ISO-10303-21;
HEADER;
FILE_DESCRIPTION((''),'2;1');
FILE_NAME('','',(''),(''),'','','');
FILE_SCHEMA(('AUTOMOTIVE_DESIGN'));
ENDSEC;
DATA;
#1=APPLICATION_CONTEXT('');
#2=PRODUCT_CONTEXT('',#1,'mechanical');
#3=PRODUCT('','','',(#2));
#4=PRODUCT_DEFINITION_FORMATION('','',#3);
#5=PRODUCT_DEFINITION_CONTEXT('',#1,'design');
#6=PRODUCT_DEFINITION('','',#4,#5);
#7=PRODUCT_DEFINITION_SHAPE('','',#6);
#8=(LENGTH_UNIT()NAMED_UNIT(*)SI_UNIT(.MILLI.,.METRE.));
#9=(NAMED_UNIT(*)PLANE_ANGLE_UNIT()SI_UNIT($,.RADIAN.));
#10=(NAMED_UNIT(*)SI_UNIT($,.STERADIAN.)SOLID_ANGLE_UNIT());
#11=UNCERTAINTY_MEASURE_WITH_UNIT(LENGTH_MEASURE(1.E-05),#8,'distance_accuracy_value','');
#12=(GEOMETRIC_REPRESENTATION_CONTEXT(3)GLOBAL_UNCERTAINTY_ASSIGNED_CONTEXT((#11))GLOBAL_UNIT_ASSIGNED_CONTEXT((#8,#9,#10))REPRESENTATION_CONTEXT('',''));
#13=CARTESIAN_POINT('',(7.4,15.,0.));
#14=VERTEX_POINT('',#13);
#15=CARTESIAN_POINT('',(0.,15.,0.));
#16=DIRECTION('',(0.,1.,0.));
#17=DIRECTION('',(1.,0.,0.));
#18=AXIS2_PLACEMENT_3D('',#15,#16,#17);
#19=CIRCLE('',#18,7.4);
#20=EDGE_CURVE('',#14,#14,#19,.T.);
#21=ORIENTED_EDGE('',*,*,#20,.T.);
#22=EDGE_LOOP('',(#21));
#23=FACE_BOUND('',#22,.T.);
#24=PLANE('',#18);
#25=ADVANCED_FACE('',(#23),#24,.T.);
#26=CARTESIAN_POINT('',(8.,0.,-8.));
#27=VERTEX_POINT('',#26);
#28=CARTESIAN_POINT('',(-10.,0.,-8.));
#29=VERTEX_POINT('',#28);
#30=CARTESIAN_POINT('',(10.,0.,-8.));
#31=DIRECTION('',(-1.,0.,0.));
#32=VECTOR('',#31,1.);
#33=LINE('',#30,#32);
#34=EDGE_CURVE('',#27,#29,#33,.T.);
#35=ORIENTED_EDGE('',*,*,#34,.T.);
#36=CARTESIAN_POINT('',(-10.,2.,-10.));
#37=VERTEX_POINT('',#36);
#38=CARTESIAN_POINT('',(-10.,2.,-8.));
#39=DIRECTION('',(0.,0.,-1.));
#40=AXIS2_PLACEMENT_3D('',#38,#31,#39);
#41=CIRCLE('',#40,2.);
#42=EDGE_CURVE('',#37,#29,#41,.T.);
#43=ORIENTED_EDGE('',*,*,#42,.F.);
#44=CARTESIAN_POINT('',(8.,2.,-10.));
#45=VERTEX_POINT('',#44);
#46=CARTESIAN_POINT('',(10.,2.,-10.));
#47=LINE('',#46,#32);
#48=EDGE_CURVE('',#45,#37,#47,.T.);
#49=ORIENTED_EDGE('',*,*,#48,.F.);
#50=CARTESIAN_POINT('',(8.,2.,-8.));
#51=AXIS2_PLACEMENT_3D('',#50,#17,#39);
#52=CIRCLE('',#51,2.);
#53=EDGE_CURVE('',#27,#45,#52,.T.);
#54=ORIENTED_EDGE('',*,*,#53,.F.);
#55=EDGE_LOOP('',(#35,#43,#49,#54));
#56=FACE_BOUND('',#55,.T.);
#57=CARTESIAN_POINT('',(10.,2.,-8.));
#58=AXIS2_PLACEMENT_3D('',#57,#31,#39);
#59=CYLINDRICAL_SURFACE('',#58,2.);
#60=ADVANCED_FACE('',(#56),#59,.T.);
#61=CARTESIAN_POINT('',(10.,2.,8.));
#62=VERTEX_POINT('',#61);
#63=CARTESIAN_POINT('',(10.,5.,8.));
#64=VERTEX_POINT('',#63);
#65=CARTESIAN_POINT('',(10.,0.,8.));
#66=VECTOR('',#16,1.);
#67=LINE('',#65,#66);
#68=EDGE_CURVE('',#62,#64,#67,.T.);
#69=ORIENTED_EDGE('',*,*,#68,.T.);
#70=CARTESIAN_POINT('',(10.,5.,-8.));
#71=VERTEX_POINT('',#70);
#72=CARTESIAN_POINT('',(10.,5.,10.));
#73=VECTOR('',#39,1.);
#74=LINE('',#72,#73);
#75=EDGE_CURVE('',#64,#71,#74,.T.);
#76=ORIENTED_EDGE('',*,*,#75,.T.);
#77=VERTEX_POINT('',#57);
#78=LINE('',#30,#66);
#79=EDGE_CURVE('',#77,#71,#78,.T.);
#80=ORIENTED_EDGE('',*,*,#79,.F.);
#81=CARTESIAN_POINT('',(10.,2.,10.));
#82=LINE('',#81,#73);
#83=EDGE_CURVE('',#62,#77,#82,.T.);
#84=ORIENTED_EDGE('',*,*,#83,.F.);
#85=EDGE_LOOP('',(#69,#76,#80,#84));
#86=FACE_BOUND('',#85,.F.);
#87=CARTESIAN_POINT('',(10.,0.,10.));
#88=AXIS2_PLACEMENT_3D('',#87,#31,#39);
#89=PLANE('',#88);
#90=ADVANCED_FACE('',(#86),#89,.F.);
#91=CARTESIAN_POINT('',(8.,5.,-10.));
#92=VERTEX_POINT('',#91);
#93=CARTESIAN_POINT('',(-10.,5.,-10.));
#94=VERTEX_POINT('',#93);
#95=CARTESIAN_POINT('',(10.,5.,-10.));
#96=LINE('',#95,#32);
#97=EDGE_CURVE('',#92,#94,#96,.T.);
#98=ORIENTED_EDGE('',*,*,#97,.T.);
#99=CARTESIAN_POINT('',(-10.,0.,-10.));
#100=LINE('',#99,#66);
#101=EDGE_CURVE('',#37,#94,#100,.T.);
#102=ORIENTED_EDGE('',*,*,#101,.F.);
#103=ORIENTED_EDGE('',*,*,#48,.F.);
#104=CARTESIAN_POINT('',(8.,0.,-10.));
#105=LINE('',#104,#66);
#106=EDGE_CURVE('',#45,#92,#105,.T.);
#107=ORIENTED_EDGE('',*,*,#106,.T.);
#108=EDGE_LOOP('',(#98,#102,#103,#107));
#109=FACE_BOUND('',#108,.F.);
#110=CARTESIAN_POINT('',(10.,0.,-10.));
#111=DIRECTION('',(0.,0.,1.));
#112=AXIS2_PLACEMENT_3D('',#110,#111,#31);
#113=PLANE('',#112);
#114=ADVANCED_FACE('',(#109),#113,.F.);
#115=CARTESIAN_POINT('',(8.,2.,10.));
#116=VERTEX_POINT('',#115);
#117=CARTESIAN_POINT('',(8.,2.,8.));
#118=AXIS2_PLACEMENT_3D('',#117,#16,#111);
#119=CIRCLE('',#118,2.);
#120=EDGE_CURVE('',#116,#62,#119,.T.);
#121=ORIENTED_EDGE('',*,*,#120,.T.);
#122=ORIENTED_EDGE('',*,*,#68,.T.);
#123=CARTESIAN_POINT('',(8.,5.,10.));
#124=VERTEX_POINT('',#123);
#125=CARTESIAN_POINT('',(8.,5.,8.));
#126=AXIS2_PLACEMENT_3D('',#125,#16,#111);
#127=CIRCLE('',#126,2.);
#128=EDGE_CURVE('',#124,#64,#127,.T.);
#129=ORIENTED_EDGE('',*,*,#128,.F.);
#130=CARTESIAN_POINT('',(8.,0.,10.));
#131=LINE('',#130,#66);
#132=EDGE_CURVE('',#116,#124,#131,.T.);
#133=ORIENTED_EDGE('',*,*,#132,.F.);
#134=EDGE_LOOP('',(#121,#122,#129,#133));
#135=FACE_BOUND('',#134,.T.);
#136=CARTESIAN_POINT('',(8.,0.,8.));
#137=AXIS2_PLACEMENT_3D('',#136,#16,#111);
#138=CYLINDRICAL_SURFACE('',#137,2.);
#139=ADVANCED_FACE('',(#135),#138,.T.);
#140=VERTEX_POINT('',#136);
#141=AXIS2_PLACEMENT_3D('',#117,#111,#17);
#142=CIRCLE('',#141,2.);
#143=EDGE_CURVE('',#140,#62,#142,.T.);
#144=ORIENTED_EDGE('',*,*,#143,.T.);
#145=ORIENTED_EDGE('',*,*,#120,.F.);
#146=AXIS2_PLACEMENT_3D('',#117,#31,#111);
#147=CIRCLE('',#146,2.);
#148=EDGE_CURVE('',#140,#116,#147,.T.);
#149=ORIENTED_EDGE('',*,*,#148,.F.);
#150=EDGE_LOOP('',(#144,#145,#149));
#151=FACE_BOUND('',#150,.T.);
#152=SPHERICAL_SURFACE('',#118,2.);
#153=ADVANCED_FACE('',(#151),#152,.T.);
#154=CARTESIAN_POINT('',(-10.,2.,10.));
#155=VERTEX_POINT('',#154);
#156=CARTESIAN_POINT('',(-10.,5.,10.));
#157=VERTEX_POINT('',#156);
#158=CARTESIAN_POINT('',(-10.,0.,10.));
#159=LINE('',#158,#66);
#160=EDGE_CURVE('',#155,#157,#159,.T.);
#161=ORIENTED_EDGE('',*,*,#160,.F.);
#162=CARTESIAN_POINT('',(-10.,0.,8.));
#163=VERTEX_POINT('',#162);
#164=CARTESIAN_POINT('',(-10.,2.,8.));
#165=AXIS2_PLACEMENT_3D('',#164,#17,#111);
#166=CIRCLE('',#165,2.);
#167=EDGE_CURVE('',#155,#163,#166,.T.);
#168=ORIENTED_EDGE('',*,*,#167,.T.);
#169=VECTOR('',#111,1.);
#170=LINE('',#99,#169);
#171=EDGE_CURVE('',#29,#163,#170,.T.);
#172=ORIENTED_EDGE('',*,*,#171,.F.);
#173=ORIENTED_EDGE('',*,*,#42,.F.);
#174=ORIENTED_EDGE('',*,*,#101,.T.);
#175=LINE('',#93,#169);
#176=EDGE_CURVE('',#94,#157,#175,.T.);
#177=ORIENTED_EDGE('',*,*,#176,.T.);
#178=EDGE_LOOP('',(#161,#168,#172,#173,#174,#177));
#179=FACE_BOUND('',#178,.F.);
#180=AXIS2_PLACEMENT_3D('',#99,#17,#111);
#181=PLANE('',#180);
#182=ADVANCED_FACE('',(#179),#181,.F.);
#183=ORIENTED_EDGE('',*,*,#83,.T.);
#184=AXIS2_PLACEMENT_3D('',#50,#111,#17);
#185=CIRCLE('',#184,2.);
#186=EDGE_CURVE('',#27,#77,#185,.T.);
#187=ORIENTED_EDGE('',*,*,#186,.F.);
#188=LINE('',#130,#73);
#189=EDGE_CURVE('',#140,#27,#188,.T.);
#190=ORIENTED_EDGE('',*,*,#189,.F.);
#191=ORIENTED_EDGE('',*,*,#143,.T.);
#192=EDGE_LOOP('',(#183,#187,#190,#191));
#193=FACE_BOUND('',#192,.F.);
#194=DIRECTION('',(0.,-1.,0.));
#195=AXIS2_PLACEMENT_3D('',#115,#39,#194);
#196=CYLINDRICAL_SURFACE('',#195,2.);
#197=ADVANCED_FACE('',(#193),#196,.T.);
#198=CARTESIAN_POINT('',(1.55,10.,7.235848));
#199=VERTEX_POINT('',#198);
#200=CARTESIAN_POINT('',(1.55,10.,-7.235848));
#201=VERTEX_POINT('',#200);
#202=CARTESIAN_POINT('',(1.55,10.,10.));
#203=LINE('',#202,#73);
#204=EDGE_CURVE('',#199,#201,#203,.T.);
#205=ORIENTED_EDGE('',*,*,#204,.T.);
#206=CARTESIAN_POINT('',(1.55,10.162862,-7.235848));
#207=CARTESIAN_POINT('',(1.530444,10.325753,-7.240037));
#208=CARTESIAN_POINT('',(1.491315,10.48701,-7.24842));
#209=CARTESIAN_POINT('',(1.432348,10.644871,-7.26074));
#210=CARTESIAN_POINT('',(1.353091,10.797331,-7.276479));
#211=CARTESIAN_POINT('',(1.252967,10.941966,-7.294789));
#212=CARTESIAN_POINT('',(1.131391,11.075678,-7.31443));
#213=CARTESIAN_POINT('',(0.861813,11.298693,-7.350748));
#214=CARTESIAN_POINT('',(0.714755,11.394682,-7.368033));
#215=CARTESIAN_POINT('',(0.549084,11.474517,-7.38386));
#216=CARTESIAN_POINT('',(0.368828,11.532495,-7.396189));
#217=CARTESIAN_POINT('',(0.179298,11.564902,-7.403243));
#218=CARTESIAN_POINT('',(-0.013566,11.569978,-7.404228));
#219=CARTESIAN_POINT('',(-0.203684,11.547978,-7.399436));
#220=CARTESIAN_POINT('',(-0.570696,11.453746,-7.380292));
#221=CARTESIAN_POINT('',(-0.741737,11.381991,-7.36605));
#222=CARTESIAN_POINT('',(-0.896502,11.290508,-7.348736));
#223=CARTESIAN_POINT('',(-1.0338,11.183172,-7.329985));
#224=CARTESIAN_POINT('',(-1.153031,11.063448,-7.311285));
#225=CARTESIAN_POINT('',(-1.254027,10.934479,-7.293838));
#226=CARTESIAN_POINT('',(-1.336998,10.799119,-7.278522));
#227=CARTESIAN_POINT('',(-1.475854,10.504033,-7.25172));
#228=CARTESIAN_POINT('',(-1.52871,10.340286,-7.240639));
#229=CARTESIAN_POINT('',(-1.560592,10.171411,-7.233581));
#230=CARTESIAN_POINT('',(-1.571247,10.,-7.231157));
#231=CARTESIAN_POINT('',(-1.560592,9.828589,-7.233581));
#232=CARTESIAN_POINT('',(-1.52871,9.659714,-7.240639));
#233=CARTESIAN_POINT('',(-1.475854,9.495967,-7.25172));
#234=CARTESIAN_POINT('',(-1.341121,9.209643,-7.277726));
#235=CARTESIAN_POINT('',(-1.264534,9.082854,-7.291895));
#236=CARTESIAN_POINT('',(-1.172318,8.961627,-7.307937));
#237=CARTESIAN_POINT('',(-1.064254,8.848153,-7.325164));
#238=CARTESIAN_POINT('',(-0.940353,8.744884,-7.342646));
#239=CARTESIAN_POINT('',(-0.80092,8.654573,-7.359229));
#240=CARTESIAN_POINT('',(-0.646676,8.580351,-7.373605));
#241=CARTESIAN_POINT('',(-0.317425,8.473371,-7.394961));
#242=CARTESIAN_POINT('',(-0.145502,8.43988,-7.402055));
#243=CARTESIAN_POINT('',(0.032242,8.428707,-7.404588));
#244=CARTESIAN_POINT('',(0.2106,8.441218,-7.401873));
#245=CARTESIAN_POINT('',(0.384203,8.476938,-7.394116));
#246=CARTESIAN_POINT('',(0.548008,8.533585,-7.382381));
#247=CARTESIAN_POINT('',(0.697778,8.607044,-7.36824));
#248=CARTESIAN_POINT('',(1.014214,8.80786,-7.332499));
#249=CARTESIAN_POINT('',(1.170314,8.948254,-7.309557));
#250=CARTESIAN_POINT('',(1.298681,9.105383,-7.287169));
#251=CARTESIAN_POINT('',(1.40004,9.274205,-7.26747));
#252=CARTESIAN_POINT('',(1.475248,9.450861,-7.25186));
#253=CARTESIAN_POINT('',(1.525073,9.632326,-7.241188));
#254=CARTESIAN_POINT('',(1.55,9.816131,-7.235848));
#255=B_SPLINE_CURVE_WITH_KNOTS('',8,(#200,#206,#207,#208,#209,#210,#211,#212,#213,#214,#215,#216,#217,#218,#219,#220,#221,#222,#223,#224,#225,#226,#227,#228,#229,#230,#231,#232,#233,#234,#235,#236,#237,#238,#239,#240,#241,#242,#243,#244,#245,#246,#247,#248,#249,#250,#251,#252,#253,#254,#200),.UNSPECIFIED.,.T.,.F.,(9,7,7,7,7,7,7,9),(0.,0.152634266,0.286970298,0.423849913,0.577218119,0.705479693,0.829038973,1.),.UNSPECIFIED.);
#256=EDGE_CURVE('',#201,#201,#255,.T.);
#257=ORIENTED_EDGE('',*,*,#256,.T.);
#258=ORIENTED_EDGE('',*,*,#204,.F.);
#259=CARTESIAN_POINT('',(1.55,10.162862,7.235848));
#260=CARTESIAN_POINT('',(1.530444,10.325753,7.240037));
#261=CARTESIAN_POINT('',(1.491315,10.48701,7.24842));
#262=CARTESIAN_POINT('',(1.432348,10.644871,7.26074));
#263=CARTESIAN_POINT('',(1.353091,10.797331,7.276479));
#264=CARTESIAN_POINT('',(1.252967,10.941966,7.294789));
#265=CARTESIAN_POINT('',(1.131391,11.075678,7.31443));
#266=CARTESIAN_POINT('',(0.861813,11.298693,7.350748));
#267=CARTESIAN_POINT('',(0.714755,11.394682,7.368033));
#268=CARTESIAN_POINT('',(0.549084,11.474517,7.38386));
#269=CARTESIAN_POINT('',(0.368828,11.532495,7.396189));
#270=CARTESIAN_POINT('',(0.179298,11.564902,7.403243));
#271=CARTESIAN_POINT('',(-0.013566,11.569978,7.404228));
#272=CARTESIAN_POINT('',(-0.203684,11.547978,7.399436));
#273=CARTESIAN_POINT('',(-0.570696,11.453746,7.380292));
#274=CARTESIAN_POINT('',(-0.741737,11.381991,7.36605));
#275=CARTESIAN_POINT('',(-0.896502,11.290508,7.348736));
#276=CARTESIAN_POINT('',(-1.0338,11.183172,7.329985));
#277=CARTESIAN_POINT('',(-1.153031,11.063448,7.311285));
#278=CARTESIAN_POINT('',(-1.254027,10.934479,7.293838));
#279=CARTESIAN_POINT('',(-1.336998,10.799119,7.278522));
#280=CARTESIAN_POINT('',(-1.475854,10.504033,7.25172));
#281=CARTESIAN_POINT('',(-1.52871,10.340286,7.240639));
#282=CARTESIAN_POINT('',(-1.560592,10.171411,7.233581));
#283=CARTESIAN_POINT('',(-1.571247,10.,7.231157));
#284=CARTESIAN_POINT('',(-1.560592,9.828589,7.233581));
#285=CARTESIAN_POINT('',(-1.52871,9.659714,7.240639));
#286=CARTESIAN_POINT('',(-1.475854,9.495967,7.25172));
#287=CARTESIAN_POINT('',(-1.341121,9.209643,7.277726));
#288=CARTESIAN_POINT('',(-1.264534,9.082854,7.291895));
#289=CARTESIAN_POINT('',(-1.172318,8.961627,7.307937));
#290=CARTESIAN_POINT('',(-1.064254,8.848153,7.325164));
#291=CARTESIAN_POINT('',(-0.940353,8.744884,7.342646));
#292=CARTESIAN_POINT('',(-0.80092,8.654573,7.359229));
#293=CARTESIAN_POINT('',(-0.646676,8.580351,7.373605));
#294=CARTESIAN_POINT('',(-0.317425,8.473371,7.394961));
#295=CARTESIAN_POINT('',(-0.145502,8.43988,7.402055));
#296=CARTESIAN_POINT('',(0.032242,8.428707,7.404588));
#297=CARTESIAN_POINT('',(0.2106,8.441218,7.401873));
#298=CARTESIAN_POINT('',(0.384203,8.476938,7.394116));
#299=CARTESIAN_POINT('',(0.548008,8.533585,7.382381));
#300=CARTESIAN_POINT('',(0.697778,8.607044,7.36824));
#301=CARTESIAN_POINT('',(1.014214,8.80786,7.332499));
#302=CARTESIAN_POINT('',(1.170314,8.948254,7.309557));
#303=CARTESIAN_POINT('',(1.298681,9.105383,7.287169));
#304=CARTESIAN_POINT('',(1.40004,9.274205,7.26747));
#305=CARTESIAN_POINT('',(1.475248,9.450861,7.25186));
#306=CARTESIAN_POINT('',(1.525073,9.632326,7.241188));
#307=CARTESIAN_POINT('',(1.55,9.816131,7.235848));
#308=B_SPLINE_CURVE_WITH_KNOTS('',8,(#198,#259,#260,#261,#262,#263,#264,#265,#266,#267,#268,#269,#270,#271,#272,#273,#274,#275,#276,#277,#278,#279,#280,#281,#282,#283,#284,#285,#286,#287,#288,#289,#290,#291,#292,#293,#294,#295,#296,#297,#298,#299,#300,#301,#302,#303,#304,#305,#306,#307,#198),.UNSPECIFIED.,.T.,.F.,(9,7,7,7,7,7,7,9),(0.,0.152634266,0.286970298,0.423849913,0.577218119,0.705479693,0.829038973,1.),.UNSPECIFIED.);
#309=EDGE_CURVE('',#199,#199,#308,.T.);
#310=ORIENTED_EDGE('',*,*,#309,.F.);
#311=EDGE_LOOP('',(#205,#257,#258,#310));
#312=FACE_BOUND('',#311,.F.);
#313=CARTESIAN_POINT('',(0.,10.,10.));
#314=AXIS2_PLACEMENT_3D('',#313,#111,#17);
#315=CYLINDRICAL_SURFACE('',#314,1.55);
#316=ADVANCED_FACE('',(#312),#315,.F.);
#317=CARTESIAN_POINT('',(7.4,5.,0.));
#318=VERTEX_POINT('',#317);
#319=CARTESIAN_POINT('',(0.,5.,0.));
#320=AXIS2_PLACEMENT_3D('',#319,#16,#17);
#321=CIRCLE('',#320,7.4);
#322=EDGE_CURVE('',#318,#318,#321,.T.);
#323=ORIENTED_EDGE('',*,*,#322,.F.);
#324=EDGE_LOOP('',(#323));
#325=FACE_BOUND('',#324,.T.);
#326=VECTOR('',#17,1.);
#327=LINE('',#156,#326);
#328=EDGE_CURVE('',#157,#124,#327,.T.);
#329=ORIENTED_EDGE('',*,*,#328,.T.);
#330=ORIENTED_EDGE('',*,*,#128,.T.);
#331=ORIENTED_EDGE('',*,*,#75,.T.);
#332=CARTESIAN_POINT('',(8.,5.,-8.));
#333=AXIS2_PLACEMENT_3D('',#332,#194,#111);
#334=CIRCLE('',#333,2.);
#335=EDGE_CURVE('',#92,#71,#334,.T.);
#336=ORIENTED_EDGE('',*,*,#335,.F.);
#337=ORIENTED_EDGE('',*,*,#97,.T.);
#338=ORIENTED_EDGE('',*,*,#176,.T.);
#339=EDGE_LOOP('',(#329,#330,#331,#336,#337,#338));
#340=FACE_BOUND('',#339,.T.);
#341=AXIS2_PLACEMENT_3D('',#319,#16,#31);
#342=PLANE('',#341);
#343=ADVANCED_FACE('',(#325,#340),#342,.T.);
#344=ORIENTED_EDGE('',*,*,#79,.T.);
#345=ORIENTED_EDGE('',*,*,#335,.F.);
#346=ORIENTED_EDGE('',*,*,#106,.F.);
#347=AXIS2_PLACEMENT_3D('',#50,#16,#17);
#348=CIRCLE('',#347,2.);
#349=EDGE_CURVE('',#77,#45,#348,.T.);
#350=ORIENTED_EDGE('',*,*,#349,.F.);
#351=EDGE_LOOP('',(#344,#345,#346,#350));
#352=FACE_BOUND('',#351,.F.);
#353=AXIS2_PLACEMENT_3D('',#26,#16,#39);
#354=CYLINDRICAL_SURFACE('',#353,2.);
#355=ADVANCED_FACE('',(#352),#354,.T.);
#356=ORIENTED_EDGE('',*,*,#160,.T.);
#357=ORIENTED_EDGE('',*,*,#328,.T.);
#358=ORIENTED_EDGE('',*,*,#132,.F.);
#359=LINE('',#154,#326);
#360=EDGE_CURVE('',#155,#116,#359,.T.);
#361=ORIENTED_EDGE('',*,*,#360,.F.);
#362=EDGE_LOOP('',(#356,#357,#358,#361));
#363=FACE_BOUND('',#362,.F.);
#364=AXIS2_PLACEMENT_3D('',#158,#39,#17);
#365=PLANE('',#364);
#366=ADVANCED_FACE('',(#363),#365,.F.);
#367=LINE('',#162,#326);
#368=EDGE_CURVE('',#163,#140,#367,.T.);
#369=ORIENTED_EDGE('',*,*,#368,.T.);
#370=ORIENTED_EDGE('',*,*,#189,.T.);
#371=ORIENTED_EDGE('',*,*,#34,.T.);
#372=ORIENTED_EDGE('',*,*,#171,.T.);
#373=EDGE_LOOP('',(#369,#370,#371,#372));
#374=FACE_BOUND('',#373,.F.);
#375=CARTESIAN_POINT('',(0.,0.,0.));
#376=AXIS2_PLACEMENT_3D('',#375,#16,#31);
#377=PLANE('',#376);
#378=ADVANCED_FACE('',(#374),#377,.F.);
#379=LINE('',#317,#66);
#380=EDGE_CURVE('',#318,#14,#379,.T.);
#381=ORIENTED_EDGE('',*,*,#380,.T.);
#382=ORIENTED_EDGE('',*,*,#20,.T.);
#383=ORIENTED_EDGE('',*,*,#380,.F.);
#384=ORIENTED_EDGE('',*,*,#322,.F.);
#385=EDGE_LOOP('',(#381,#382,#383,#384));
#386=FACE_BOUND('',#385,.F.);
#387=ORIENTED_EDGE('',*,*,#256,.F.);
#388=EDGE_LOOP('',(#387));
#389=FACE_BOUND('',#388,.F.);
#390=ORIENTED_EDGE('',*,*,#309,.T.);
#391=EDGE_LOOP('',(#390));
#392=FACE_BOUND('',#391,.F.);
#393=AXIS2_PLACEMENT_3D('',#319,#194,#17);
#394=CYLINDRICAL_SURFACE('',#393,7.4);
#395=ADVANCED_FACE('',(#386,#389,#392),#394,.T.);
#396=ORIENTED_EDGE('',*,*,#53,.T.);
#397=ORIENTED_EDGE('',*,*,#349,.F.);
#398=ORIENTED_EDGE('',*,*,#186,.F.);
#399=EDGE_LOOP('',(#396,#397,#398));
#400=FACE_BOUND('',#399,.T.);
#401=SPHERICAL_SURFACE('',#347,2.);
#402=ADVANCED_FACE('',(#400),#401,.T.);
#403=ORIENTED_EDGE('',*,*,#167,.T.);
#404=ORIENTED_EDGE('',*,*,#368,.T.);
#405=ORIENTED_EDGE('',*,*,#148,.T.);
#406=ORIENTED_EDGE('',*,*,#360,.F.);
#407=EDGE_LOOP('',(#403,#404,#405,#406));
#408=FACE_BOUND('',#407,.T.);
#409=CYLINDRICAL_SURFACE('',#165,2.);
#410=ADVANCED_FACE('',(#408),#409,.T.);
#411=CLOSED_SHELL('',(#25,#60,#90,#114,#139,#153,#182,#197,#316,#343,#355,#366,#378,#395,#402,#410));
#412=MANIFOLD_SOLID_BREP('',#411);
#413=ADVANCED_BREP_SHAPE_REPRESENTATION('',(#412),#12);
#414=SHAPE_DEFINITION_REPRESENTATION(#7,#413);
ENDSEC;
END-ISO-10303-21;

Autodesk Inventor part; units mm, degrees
ref_plane "YZ Plane" through (0, 0, 0) normal (1, 0, 0) x (0, 1, 0)
ref_plane "XZ Plane" through (0, 0, 0) normal (0, 1, 0) x (-1, 0, 0)
ref_plane "XY Plane" through (0, 0, 0) normal (0, 0, 1) x (1, 0, 0)
sketch "Sketch1" plane through (0, 0, 0) normal (0, 1, 0) x (-1, 0, 0)
  line L0 (10, 10) -> (-10, 10)
  line L1 (-10, 10) -> (-10, -10)
  line L2 (-10, -10) -> (10, -10)
  line L3 (10, -10) -> (10, 10)
  line L4 (10, 10) -> (-10, -10) construction
  line L5 (-10, 10) -> (10, -10) construction
  point P0 (0, 0)
  dimension "d0" = 20
  dimension "d1" = 20
extrude "Extrusion1" add sketch "Sketch1" along normal blind 5
sketch "Sketch2" plane through (0, 5, 0) normal (0, 1, 0) x (1, 0, 0)
  circle A0 centre (0, 0) radius 7.4
  dimension "d4" = 14.8
extrude "Extrusion2" add sketch "Sketch2" along normal blind 10
sketch "Sketch3" plane through (-10, 0, 10) normal (0, 0, 1) x (1, 0, 0)
  circle A0 centre (10, 10) radius 1.55
  line L0 (0, 5) -> (20, 5) projected
  point P0 (10, 0)
  dimension "d7" = 3.1
  dimension "d8" = 5
extrude "Extrusion3" cut sketch "Sketch3" against normal through all
fillet "Fillet1" radius 2 5 edges at (10, 2.5, 10) (10, 2.5, -10) (0, 0, 10) (10, 0, 0) (0, 0, -10)
properties part number "finger2+" material "ABS Plastic"
